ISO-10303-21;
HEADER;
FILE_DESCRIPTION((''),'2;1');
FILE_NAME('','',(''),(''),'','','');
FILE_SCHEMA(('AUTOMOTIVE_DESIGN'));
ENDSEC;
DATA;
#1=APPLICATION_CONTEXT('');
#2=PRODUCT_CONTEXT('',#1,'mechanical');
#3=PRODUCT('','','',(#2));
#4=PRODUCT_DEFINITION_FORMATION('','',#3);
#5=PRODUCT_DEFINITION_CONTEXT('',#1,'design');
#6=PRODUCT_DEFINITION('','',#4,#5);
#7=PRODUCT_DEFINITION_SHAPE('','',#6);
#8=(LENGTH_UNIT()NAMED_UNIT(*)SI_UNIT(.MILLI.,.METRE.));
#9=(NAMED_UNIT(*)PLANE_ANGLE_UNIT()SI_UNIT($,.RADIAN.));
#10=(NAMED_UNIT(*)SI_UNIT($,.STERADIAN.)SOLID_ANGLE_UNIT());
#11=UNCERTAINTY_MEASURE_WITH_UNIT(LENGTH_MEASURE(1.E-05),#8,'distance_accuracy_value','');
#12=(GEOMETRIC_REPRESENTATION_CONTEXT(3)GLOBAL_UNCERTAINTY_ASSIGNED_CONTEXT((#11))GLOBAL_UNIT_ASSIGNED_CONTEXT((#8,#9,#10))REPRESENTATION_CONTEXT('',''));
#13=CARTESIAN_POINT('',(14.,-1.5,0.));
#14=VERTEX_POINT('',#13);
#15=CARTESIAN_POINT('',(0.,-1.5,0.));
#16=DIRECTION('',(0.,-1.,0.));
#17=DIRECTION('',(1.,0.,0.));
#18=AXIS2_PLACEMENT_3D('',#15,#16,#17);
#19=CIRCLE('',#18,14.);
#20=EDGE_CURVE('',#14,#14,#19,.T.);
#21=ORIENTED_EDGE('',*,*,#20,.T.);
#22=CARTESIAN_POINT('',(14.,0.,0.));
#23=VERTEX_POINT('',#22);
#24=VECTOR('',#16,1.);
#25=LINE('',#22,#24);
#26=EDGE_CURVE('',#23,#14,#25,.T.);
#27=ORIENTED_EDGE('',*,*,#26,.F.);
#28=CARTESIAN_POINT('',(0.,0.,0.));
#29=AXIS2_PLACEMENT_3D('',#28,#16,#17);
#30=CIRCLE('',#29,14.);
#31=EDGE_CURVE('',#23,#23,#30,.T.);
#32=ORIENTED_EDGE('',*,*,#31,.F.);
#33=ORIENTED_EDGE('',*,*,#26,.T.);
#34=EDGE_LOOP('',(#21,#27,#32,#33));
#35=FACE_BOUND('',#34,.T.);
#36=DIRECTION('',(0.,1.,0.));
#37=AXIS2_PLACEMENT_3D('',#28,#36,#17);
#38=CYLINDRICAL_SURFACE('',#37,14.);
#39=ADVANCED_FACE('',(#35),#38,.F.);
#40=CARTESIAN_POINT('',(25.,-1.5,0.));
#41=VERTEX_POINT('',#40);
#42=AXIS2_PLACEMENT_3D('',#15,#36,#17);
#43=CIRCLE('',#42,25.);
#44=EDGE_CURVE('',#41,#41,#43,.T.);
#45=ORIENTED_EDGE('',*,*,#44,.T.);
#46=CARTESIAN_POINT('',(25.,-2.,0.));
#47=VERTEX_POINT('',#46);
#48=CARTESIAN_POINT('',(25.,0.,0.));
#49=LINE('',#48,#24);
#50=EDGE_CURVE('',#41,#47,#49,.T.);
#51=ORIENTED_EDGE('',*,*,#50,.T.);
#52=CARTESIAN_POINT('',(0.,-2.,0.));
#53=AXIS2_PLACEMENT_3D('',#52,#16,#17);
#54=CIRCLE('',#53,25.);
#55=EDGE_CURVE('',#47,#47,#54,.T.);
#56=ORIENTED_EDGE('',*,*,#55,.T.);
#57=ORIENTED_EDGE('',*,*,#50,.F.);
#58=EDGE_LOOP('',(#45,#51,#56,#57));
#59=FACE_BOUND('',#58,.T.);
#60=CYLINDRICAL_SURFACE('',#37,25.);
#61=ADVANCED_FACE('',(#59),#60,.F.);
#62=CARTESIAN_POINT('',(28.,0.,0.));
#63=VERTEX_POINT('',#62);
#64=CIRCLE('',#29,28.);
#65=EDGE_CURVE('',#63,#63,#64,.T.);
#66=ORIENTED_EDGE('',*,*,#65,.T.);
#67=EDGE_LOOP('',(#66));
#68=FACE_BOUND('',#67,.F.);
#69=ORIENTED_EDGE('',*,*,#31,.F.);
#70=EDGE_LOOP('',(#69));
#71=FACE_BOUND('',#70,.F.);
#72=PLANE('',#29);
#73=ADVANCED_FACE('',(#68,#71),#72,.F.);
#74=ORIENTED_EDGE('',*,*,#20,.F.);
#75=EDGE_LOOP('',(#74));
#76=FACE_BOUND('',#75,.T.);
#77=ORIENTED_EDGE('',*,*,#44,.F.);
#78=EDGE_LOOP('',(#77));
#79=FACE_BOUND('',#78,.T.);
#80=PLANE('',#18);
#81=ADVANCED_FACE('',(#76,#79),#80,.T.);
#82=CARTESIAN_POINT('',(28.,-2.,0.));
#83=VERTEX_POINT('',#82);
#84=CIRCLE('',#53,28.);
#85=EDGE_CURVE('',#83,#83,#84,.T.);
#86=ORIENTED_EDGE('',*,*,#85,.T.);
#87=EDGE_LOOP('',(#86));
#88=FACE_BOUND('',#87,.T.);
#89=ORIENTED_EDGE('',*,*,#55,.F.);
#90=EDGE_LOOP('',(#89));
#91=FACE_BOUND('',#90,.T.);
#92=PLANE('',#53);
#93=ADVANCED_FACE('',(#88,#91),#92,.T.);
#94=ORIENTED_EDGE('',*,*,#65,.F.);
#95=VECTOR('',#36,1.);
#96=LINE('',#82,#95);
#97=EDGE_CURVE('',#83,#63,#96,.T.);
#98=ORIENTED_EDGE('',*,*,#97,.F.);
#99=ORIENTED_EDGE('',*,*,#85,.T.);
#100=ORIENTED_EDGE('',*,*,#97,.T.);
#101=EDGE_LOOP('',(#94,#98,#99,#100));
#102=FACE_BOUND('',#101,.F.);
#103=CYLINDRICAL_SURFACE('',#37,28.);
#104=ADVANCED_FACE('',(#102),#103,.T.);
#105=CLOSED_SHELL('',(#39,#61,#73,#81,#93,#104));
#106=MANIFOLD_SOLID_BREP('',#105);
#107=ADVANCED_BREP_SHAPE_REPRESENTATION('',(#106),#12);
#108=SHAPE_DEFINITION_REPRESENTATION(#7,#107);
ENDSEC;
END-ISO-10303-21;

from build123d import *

# Parameters (mm, degrees)
F0_R     = 28
F0_R_2   = 25
F0_R_3   = 14
F1_DEPTH = 1.5
F2_DEPTH = 2


with BuildPart() as f1:
    # F0 (on Front) → F1 (new body)
    with BuildSketch(Plane.XZ):
        Circle(F0_R)
        Circle(F0_R_2, mode=Mode.SUBTRACT)
        Circle(F0_R_2)
        Circle(F0_R_3, mode=Mode.SUBTRACT)
    extrude(amount=F1_DEPTH)

    # F0 (on Front) → F2 (join)
    with BuildSketch(Plane.XZ):
        Circle(F0_R)
        Circle(F0_R_2, mode=Mode.SUBTRACT)
    extrude(amount=F2_DEPTH)


solid = f1.part
